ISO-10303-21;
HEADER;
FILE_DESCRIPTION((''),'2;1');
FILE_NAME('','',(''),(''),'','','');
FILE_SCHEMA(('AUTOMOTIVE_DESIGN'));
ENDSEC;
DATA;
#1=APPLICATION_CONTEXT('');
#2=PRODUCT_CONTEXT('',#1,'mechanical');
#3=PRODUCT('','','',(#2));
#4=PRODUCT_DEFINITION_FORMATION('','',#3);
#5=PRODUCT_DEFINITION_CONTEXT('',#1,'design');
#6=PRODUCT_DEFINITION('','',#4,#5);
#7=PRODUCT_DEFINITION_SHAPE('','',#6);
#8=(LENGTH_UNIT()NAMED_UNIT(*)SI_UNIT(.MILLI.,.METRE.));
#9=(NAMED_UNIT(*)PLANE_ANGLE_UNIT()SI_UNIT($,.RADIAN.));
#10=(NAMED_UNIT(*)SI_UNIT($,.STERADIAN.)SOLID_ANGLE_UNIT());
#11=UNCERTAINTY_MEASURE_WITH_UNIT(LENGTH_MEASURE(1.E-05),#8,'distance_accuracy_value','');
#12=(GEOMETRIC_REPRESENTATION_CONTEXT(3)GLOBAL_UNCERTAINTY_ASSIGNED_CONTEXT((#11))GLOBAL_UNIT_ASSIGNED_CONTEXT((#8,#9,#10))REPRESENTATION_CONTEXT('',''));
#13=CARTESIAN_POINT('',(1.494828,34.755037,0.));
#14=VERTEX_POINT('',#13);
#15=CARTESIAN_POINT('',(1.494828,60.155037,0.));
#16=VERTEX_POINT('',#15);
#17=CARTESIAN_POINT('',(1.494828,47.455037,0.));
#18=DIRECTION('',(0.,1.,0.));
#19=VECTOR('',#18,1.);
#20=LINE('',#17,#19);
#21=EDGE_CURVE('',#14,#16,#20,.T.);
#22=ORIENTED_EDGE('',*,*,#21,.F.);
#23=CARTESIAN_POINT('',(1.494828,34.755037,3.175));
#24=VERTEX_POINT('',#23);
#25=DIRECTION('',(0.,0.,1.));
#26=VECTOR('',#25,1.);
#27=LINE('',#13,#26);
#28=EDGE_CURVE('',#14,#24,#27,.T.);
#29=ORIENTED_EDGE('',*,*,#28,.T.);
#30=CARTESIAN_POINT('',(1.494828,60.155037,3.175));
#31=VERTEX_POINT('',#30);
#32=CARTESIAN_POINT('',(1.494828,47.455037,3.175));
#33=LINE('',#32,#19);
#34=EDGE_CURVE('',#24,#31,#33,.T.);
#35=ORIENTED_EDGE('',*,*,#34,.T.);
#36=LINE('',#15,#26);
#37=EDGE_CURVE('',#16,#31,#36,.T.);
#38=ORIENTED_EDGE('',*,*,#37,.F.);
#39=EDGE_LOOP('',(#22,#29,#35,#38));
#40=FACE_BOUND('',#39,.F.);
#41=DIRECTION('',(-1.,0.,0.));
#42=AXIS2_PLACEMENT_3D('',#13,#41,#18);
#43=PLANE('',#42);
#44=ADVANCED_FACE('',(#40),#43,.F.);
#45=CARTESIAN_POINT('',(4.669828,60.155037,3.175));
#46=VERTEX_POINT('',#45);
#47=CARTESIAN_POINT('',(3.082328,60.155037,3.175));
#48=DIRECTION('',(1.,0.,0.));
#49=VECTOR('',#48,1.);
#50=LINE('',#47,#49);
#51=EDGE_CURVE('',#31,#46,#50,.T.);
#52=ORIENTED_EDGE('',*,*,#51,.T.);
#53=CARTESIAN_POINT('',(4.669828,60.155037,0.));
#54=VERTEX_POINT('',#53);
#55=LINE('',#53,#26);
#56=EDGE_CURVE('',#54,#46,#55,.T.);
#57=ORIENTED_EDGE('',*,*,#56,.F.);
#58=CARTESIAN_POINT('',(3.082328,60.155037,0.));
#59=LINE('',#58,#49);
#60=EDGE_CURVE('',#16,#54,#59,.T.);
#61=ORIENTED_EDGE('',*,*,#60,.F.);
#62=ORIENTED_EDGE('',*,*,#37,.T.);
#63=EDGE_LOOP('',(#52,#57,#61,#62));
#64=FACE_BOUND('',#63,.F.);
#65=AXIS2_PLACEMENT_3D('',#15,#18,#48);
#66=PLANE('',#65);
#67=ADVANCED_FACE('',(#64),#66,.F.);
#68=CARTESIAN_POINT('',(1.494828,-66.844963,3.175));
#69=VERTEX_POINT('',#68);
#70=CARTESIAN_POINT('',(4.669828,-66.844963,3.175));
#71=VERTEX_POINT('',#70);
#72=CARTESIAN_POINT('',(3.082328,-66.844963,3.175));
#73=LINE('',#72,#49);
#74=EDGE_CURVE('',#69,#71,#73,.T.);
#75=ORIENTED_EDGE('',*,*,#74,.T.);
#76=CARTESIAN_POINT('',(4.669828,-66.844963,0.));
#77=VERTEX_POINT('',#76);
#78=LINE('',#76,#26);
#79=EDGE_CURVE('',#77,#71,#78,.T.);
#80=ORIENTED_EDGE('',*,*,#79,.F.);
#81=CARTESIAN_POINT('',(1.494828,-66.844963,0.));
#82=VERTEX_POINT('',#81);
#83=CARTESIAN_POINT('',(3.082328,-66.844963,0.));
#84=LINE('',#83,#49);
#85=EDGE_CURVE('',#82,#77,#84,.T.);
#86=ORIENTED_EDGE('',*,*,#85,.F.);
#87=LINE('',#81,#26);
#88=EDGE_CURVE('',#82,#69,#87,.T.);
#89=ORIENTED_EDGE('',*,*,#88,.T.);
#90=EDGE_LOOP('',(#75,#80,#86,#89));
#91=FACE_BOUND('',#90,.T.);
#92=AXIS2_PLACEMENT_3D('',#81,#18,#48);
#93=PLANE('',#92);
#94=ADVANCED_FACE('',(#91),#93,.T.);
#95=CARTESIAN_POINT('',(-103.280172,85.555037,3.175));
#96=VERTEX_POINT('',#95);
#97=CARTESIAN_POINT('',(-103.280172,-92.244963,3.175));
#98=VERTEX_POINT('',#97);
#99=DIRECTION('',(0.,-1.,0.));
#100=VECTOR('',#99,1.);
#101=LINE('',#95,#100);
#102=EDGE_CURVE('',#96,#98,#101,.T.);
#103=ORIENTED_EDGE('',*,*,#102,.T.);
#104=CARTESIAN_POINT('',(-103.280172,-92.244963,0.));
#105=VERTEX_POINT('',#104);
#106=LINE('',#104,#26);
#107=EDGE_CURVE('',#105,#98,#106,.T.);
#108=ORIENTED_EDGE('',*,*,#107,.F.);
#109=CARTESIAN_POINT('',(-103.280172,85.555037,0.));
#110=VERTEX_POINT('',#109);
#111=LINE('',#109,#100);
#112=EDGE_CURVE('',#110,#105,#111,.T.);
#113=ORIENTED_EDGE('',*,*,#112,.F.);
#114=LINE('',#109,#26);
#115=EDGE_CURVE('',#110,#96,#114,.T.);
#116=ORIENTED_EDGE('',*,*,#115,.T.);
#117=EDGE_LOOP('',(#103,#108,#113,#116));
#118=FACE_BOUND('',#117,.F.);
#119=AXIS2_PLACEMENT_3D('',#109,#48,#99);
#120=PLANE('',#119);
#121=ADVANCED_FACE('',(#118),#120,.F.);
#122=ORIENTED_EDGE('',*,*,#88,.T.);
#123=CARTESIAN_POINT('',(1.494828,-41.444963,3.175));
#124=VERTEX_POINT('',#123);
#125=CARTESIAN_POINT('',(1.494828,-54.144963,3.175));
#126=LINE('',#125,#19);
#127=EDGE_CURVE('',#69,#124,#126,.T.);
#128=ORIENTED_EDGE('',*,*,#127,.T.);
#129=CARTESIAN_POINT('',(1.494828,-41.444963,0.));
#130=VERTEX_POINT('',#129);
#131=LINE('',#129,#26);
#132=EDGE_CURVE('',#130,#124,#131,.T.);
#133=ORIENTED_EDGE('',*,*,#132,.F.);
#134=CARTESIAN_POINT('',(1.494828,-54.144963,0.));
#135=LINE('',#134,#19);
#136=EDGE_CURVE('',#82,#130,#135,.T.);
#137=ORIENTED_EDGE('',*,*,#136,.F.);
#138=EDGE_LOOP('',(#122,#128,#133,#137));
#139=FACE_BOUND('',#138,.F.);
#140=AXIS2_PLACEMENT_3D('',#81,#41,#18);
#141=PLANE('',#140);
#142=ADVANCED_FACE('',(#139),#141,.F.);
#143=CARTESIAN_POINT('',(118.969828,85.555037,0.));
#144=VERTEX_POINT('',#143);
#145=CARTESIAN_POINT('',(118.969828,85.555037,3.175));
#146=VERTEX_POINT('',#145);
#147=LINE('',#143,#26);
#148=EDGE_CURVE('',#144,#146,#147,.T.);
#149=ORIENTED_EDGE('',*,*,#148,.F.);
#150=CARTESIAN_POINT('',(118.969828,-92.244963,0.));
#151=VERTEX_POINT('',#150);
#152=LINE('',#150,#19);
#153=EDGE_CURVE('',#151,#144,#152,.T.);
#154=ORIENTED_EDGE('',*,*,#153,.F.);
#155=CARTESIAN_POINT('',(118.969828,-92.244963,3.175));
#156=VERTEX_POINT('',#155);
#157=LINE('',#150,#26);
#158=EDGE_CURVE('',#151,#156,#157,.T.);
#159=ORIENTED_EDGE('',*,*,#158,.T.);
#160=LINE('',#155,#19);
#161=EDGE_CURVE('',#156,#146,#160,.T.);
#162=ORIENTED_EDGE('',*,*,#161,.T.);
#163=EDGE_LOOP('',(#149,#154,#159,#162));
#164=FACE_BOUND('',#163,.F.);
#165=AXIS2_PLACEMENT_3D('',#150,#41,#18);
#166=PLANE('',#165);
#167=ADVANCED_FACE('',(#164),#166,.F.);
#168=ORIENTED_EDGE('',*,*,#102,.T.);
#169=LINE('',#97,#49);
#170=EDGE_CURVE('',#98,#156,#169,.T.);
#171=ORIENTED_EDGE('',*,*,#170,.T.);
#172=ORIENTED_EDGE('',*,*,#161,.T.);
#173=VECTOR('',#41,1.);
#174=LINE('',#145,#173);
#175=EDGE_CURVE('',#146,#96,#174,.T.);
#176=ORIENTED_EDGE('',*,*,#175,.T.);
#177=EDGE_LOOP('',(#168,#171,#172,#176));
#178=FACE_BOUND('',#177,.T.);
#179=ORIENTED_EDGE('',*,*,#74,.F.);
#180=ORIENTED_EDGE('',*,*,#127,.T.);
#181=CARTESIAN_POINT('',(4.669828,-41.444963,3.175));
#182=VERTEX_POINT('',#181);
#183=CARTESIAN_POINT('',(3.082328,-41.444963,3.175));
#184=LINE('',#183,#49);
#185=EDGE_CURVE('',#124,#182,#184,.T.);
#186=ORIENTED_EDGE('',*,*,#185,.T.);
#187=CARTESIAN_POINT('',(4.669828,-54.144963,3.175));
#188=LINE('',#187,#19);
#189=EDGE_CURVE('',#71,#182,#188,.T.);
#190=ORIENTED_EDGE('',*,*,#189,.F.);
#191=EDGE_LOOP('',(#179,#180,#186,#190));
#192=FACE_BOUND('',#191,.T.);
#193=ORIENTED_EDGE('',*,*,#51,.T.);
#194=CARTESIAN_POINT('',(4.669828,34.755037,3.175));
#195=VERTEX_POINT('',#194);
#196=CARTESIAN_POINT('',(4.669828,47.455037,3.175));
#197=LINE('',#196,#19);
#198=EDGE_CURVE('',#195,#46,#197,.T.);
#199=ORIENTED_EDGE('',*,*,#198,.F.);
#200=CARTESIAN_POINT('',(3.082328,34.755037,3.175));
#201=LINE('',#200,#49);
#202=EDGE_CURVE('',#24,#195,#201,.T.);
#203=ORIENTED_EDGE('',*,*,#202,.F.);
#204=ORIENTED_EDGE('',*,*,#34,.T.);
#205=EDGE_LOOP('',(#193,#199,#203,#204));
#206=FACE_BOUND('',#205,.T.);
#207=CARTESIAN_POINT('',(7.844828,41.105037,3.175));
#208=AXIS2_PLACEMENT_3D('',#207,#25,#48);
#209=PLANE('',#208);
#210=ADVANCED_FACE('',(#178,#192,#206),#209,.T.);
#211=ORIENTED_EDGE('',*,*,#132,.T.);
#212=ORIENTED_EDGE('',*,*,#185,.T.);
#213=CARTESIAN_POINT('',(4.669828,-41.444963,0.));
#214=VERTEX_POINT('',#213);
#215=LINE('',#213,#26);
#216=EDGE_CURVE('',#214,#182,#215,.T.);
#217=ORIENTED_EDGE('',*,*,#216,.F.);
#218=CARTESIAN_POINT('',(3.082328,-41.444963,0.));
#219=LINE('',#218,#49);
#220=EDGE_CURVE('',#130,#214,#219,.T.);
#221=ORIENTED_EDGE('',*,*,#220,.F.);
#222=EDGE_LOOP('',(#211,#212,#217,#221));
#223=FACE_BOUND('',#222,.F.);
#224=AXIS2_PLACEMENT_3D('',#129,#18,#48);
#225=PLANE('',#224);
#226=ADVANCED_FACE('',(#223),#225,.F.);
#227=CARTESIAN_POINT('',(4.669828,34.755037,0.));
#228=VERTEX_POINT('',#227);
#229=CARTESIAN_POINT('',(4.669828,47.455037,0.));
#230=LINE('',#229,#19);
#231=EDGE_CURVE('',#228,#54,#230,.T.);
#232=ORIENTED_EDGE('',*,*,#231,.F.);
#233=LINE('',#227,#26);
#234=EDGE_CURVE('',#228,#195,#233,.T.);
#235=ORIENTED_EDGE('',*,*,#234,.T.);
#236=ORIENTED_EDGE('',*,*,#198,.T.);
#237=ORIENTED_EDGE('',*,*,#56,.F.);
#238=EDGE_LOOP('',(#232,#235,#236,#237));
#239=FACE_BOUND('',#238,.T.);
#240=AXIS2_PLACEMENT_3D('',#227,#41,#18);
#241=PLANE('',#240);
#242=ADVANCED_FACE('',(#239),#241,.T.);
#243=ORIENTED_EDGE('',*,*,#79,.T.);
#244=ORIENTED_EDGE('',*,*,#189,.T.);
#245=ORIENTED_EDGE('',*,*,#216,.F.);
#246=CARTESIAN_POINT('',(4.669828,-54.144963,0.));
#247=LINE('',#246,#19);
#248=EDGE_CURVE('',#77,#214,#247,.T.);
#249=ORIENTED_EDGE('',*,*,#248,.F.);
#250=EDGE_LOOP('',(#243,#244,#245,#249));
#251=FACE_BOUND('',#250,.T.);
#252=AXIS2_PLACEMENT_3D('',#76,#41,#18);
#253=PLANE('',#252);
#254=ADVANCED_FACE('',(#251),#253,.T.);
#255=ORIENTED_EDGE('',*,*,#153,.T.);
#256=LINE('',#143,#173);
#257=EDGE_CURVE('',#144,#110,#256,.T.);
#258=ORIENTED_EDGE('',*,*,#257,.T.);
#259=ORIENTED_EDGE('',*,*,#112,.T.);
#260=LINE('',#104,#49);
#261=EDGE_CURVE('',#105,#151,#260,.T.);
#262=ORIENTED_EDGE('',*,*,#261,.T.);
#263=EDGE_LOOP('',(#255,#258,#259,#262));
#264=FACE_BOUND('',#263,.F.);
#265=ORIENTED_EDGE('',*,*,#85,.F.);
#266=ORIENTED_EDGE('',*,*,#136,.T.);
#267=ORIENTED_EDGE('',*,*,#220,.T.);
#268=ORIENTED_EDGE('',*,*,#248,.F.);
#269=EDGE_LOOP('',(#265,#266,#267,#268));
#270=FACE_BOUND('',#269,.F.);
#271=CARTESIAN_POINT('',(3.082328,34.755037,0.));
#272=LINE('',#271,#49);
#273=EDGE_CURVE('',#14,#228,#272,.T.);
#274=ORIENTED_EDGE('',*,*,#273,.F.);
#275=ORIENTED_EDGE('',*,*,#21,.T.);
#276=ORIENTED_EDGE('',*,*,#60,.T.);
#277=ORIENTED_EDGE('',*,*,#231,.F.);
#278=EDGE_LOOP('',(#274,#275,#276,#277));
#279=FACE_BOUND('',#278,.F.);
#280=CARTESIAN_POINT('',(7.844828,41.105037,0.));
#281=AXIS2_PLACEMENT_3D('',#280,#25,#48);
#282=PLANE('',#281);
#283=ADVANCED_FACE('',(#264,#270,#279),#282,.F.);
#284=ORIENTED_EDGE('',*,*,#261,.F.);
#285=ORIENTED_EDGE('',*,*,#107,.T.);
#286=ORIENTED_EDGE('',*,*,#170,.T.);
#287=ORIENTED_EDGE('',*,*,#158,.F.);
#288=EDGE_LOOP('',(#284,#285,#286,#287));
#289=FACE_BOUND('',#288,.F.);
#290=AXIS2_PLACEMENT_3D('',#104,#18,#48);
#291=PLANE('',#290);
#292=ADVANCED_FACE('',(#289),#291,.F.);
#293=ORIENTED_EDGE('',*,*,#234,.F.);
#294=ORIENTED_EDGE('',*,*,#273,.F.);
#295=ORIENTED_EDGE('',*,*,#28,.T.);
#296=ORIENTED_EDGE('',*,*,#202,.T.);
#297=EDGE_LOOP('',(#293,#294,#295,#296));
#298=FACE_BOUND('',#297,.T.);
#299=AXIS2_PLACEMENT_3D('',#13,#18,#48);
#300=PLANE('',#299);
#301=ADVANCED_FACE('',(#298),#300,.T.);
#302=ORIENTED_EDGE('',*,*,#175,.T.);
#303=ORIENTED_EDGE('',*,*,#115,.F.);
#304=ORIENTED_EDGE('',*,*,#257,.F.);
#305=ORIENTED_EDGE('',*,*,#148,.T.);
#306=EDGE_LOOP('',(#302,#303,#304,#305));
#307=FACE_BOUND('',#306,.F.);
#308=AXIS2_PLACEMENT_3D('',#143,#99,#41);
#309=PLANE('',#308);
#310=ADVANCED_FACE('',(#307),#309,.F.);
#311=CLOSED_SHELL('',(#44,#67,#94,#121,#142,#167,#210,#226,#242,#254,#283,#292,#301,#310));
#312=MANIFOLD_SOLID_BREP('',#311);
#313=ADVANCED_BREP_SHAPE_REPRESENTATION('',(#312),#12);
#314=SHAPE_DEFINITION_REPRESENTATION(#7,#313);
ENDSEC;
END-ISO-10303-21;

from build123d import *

# Parameters (mm, degrees)
F0_W     = 3.175
F0_H     = 25.4
F1_DEPTH = 3.175


with BuildPart() as f1:
    # F0 (on Top) → F1 (new body)
    with BuildSketch(Plane.XY):
        Polygon((118.969828, 85.555037), (-103.280172, 85.555037), (-103.280172, -3.344963), (99.919828, -3.344963), (118.969828, -3.344963), align=None)
        with Locations((3.082328, 47.455037)):
            Rectangle(F0_W, F0_H, mode=Mode.SUBTRACT)
        Polygon((99.919828, -3.344963), (-103.280172, -3.344963), (-103.280172, -92.244963), (118.969828, -92.244963), (118.969828, -3.344963), align=None)
        with Locations((3.082328, -54.144963)):
            Rectangle(F0_W, F0_H, mode=Mode.SUBTRACT)
    extrude(amount=F1_DEPTH)


solid = f1.part
